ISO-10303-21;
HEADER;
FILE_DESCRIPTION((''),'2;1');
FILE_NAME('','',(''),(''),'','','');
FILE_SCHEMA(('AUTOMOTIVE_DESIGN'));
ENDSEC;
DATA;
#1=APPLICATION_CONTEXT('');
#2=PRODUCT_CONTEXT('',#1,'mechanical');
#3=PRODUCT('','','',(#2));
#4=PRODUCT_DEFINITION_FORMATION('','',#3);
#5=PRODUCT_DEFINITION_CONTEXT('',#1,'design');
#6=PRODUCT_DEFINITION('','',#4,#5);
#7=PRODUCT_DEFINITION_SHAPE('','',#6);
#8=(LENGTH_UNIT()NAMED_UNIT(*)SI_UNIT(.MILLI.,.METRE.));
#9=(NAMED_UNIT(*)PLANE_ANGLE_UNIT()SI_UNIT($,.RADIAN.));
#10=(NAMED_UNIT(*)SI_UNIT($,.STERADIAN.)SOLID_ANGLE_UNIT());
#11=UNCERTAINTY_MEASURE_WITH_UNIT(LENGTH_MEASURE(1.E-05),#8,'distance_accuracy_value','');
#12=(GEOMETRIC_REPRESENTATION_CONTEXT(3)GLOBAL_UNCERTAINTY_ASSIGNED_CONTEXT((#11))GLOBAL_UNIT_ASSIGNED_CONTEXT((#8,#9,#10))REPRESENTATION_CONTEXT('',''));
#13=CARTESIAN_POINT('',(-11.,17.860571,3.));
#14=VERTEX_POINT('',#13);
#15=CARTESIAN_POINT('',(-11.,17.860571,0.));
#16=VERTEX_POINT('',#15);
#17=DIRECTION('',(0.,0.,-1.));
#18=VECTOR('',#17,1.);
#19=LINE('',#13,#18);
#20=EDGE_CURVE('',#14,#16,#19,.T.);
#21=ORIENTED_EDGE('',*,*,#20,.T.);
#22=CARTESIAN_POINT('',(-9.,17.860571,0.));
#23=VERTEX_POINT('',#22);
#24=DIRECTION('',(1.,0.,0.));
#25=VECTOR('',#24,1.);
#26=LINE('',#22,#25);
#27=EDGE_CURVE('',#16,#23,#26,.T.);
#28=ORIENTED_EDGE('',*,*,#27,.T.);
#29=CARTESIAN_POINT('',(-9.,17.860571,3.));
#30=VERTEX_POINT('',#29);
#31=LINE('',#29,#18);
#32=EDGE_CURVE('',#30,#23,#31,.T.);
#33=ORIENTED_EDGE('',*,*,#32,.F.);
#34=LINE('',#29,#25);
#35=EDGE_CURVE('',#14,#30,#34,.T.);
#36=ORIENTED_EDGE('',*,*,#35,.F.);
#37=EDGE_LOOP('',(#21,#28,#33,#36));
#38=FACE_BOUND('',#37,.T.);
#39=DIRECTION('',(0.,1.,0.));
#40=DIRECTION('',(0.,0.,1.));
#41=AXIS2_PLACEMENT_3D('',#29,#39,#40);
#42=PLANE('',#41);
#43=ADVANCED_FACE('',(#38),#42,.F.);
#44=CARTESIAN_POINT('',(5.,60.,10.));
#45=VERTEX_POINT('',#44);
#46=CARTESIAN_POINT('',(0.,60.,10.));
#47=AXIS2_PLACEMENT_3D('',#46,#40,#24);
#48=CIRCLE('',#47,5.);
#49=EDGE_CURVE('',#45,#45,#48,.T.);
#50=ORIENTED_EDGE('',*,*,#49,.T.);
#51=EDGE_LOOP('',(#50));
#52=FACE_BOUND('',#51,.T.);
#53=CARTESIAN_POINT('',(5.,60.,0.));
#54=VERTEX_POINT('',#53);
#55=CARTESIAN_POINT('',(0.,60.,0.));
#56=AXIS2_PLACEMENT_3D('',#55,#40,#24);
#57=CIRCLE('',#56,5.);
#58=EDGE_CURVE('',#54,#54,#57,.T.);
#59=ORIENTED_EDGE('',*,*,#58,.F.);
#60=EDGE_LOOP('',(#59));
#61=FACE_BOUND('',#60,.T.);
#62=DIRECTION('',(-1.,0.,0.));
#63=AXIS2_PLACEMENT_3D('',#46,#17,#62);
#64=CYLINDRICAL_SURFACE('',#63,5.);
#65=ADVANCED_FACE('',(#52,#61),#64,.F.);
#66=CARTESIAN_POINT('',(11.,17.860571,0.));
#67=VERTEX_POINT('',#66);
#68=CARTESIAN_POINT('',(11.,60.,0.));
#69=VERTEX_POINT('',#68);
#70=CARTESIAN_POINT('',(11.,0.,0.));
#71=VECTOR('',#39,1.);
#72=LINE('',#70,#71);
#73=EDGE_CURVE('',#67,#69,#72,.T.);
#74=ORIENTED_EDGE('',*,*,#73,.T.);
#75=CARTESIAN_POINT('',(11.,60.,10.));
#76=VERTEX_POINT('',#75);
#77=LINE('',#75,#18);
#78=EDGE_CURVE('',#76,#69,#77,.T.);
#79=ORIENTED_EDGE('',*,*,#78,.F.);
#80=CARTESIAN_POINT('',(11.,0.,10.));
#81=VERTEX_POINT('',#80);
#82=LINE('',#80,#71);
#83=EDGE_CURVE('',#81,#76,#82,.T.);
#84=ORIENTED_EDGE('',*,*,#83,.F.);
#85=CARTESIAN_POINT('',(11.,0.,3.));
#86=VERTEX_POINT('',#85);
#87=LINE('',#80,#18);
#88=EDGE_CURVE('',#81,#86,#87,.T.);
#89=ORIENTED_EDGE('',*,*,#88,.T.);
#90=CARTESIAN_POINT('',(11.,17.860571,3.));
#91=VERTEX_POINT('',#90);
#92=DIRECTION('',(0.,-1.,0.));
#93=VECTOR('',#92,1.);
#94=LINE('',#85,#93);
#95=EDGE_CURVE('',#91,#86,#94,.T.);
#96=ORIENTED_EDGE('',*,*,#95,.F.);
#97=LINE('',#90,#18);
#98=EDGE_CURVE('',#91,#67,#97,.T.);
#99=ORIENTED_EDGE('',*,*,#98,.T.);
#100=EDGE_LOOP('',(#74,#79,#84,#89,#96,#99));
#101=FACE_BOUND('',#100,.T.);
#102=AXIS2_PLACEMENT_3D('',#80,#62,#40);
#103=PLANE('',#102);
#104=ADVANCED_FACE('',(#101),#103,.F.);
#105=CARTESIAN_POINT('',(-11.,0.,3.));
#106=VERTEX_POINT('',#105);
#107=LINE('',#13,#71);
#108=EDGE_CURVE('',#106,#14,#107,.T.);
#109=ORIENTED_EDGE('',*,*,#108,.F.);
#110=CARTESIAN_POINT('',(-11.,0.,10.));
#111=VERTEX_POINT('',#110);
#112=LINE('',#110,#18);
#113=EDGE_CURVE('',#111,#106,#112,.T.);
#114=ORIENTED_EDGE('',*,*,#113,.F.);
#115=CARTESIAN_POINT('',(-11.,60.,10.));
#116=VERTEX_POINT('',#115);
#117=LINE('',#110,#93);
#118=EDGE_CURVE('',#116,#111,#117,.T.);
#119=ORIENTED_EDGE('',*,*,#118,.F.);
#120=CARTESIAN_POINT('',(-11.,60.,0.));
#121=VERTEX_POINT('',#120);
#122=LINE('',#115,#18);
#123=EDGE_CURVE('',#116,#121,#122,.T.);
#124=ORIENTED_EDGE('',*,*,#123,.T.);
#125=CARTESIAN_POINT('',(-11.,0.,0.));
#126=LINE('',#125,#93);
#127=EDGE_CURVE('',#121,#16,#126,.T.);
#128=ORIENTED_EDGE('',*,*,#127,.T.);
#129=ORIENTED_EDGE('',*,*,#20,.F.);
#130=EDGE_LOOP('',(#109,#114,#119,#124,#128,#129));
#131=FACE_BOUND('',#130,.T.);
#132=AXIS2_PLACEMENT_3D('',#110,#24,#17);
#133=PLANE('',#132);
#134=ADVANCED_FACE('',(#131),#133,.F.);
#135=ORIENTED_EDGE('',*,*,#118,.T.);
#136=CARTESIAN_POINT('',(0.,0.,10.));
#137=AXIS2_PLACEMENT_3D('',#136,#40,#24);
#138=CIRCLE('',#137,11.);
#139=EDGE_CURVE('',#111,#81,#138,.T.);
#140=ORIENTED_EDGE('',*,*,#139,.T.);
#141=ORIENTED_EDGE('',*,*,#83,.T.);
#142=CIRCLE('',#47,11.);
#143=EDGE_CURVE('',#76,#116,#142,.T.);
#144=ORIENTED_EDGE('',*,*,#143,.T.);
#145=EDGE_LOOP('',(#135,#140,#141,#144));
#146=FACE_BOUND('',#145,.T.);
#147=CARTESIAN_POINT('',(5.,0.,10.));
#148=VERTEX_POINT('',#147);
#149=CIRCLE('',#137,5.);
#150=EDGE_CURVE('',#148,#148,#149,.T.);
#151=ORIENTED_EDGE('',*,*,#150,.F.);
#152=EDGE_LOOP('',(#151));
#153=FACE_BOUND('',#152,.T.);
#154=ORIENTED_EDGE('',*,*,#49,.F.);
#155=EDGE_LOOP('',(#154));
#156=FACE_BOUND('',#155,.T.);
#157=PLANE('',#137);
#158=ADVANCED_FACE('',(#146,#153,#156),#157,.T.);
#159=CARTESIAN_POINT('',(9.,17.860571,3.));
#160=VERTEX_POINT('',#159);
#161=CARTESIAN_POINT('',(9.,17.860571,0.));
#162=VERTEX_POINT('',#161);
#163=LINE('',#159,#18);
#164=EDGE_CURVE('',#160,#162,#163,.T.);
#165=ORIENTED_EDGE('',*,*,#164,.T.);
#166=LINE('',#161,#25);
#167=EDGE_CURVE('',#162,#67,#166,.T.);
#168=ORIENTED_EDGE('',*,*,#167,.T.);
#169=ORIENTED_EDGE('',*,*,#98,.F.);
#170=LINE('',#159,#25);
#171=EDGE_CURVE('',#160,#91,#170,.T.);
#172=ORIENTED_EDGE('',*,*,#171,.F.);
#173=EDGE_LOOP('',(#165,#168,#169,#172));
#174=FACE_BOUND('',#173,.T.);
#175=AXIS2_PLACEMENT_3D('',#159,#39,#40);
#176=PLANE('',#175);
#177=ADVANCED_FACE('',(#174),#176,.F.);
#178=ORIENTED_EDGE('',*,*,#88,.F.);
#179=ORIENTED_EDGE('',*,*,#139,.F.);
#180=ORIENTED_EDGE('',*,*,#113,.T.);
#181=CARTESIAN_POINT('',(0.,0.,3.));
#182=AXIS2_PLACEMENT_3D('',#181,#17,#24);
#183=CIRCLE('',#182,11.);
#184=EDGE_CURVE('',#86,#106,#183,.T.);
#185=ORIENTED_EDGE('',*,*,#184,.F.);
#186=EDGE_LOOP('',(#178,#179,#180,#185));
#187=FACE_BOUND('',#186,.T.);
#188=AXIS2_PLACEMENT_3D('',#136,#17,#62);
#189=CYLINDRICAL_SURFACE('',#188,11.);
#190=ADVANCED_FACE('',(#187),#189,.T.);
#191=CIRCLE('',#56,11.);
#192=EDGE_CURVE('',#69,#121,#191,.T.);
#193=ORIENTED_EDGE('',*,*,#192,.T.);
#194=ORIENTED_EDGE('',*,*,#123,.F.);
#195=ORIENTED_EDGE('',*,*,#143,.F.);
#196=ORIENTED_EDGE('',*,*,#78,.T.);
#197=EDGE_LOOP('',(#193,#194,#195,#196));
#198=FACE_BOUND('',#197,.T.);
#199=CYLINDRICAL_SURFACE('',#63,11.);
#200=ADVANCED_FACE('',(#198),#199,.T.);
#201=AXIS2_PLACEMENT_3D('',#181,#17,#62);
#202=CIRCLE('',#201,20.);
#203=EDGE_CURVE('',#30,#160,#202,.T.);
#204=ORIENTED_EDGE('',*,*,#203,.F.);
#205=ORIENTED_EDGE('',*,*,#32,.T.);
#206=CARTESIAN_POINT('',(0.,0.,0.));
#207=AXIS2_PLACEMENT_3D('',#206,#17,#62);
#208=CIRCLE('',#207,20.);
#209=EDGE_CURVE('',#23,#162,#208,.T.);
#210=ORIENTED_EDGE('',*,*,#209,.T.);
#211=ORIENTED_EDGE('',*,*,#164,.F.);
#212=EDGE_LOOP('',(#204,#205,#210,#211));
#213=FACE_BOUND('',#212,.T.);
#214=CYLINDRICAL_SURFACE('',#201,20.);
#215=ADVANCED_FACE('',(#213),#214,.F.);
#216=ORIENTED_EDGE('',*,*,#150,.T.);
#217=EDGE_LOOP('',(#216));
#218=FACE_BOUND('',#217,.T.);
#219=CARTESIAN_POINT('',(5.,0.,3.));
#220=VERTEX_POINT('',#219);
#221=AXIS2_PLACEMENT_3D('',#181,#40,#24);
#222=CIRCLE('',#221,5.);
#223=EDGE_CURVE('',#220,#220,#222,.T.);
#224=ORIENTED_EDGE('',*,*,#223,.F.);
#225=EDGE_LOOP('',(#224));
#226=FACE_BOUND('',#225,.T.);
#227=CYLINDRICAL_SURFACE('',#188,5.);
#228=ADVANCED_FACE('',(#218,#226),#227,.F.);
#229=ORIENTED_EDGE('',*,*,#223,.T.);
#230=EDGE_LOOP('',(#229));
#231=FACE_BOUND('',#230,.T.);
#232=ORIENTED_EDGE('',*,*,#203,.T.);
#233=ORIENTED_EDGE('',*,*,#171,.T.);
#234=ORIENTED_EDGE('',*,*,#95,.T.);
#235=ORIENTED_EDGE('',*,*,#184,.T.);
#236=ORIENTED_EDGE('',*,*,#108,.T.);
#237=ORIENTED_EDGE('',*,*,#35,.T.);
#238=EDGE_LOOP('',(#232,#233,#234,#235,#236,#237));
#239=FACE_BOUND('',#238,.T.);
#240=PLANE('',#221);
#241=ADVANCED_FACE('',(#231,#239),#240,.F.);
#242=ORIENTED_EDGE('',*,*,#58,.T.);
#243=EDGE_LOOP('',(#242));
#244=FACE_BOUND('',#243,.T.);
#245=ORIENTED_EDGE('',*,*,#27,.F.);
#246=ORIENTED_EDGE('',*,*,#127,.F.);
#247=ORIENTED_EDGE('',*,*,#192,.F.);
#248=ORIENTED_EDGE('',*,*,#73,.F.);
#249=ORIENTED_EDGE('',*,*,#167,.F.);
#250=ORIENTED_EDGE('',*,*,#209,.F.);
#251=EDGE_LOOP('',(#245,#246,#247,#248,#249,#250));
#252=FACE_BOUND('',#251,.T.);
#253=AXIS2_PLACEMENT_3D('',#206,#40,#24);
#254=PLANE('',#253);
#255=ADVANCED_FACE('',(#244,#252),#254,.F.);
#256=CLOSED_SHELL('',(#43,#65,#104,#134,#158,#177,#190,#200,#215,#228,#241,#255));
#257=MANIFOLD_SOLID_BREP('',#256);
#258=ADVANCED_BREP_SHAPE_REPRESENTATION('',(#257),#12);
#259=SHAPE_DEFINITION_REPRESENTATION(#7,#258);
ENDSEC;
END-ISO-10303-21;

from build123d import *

# Parameters (mm, degrees)
SKETCH1_R           = 5
BOSS_EXTRUDE1_DEPTH = 10
CUT_EXTRUDE1_DEPTH  = 3


with BuildPart() as part:
    # Sketch1 → Boss-Extrude1 (new body)
    with BuildSketch(Plane(origin=(0, 0, 0), x_dir=(0, 1, 0), z_dir=(0, 0, 1))):
        with BuildLine():
            Line((0, 11), (60, 11))
            ThreePointArc((60, 11), (71, 0), (60, -11))
            Line((60, -11), (0, -11))
            ThreePointArc((0, -11), (-11, 0), (0, 11))
        make_face()
        with Locations(Location((0, 0, 0), (0, 0, 270))):
            Circle(SKETCH1_R, mode=Mode.SUBTRACT)
        with Locations(Location((60, 0, 0), (0, 0, 270))):
            Circle(SKETCH1_R, mode=Mode.SUBTRACT)
    extrude(amount=BOSS_EXTRUDE1_DEPTH)

    # Sketch2 → Cut-Extrude1 (cut)
    with BuildSketch(Plane(origin=(0, 0, 0), x_dir=(1, 0, 0), z_dir=(0, 0, -1))):
        with BuildLine():
            Line((9, -17.860571099), (11, -17.860571099))
            Line((11, -17.860571099), (11, 0))
            ThreePointArc((11, 0), (0, 11), (-11, 0))
            Line((-11, 0), (-11, -17.860571099))
            Line((-11, -17.860571099), (-9, -17.860571099))
            ThreePointArc((-9, -17.860571099), (0, -20), (9, -17.860571099))
        make_face()
    extrude(amount=-CUT_EXTRUDE1_DEPTH, mode=Mode.SUBTRACT)


solid = part.part
